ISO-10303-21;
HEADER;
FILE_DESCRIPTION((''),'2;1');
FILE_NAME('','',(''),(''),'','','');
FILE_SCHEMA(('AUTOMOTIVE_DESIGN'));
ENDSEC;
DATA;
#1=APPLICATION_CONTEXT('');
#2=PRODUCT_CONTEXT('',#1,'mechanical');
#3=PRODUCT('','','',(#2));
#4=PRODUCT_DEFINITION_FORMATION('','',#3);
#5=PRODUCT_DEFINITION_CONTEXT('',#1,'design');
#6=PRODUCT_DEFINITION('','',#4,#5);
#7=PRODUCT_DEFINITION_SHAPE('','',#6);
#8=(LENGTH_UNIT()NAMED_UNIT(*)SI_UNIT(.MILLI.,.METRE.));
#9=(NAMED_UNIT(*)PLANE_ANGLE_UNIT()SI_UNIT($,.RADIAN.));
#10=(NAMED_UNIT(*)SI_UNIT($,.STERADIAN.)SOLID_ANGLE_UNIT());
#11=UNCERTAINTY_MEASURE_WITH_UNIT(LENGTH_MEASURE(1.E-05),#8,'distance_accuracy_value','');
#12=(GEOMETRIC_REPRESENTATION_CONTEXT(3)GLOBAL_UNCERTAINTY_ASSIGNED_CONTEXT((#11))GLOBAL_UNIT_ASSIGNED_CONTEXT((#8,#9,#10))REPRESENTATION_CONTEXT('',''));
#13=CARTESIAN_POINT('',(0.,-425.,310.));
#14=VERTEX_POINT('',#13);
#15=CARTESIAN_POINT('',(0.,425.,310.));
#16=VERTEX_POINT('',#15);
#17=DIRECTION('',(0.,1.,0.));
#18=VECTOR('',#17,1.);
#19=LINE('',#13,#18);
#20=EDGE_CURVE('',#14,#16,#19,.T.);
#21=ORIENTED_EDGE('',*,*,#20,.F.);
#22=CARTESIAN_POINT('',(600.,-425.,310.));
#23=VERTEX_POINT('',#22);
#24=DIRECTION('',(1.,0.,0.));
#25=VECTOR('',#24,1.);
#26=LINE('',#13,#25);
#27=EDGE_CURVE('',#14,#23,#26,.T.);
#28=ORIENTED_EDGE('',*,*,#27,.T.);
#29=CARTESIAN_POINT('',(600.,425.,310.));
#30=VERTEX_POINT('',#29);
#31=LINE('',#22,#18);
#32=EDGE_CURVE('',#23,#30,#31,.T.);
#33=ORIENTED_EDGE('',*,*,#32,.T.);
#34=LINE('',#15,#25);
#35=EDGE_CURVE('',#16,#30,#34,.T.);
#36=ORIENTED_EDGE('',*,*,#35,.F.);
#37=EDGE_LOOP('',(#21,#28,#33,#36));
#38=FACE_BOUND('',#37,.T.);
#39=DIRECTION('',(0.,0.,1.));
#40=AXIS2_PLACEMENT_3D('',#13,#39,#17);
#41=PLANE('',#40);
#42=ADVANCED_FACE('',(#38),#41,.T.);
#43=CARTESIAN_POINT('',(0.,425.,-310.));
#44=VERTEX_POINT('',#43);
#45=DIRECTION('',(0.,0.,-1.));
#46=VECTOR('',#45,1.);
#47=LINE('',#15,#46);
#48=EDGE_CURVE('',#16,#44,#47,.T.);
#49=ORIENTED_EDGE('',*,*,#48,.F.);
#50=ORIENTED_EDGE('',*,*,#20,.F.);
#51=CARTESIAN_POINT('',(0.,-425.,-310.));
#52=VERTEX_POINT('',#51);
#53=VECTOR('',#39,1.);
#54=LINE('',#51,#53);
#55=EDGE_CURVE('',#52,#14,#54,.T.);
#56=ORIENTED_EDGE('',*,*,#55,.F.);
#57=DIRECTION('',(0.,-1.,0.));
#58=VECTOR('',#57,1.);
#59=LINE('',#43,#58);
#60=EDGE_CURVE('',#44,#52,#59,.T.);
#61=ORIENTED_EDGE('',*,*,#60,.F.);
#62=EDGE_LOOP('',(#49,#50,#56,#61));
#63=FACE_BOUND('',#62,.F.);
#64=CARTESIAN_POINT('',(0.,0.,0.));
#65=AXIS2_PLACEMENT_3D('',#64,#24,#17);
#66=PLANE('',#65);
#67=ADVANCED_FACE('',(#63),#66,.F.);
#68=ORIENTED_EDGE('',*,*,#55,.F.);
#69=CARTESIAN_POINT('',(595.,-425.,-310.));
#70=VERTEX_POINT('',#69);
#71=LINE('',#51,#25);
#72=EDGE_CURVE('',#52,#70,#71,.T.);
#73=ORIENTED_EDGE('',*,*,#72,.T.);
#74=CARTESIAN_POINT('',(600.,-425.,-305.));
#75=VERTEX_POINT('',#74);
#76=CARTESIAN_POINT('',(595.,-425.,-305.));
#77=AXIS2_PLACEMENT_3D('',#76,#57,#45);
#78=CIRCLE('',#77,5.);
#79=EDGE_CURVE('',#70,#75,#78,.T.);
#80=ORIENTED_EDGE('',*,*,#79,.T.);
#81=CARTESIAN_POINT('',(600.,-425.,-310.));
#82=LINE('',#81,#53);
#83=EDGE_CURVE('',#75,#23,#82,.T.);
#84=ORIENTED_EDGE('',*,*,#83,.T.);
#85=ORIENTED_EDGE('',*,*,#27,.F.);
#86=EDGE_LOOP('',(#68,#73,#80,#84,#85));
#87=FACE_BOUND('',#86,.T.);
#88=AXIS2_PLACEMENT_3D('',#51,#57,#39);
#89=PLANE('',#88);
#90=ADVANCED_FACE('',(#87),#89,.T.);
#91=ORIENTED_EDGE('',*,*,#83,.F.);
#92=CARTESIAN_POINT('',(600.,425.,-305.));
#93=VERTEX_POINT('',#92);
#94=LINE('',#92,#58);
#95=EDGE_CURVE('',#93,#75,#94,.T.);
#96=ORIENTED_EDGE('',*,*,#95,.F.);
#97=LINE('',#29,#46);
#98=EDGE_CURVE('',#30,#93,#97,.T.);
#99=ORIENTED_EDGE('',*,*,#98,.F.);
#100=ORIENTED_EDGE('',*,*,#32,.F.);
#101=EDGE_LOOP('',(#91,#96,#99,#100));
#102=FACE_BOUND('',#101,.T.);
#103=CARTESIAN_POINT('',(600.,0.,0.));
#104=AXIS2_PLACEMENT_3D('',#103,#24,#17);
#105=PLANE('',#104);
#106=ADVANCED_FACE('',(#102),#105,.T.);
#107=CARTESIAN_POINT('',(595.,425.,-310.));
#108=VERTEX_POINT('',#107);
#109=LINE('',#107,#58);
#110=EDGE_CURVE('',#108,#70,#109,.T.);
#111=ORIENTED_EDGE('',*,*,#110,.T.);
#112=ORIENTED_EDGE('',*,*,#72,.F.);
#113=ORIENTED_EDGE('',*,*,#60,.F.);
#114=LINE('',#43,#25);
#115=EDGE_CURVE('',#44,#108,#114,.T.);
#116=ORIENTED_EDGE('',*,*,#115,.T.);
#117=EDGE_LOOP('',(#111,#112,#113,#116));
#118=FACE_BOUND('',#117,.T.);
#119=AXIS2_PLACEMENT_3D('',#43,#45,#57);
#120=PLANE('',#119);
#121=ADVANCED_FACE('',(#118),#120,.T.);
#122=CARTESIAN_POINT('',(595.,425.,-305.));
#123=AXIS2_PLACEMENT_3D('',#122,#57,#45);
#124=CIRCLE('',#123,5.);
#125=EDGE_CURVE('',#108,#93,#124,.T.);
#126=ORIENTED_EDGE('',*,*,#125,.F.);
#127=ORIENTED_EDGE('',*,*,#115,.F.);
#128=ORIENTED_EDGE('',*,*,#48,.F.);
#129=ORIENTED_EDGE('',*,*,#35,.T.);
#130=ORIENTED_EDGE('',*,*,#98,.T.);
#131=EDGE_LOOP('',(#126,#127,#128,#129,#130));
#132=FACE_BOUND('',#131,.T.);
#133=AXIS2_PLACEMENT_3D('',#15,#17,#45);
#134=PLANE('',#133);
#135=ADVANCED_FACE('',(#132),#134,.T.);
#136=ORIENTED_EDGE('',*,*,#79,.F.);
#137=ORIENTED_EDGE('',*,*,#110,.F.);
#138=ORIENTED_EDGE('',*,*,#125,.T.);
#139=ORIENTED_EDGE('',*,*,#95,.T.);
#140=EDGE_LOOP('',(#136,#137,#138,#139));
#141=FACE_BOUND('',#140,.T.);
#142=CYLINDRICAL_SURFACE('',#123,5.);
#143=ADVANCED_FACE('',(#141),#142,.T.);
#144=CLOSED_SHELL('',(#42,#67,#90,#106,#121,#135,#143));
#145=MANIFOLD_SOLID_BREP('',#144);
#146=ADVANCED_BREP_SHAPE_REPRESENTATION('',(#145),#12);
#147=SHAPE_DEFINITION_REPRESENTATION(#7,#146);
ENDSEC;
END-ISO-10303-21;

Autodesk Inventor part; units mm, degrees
ref_plane "YZ Plane" through (0, 0, 0) normal (1, 0, 0) x (0, 1, 0)
ref_plane "XZ Plane" through (0, 0, 0) normal (0, 1, 0) x (-1, 0, 0)
ref_plane "XY Plane" through (0, 0, 0) normal (0, 0, 1) x (1, 0, 0)
sketch "草图1" plane through (0, 0, 0) normal (1, 0, 0) x (0, 1, 0)
  line L0 (425, -310) -> (-425, -310)
  line L1 (-425, -310) -> (-425, 310)
  line L2 (-425, 310) -> (425, 310)
  line L3 (425, 310) -> (425, -310)
  line L4 (425, -310) -> (-425, 310) construction
  line L5 (-425, -310) -> (425, 310) construction
  point P0 (0, 0)
  dimension "d0" = 850
  dimension "d1" = 620
extrude "拉伸1" add sketch "草图1" along normal blind 600
fillet "圆角1" radius 5 1 edges at (600, 0, -310)
properties part number "fridge"
